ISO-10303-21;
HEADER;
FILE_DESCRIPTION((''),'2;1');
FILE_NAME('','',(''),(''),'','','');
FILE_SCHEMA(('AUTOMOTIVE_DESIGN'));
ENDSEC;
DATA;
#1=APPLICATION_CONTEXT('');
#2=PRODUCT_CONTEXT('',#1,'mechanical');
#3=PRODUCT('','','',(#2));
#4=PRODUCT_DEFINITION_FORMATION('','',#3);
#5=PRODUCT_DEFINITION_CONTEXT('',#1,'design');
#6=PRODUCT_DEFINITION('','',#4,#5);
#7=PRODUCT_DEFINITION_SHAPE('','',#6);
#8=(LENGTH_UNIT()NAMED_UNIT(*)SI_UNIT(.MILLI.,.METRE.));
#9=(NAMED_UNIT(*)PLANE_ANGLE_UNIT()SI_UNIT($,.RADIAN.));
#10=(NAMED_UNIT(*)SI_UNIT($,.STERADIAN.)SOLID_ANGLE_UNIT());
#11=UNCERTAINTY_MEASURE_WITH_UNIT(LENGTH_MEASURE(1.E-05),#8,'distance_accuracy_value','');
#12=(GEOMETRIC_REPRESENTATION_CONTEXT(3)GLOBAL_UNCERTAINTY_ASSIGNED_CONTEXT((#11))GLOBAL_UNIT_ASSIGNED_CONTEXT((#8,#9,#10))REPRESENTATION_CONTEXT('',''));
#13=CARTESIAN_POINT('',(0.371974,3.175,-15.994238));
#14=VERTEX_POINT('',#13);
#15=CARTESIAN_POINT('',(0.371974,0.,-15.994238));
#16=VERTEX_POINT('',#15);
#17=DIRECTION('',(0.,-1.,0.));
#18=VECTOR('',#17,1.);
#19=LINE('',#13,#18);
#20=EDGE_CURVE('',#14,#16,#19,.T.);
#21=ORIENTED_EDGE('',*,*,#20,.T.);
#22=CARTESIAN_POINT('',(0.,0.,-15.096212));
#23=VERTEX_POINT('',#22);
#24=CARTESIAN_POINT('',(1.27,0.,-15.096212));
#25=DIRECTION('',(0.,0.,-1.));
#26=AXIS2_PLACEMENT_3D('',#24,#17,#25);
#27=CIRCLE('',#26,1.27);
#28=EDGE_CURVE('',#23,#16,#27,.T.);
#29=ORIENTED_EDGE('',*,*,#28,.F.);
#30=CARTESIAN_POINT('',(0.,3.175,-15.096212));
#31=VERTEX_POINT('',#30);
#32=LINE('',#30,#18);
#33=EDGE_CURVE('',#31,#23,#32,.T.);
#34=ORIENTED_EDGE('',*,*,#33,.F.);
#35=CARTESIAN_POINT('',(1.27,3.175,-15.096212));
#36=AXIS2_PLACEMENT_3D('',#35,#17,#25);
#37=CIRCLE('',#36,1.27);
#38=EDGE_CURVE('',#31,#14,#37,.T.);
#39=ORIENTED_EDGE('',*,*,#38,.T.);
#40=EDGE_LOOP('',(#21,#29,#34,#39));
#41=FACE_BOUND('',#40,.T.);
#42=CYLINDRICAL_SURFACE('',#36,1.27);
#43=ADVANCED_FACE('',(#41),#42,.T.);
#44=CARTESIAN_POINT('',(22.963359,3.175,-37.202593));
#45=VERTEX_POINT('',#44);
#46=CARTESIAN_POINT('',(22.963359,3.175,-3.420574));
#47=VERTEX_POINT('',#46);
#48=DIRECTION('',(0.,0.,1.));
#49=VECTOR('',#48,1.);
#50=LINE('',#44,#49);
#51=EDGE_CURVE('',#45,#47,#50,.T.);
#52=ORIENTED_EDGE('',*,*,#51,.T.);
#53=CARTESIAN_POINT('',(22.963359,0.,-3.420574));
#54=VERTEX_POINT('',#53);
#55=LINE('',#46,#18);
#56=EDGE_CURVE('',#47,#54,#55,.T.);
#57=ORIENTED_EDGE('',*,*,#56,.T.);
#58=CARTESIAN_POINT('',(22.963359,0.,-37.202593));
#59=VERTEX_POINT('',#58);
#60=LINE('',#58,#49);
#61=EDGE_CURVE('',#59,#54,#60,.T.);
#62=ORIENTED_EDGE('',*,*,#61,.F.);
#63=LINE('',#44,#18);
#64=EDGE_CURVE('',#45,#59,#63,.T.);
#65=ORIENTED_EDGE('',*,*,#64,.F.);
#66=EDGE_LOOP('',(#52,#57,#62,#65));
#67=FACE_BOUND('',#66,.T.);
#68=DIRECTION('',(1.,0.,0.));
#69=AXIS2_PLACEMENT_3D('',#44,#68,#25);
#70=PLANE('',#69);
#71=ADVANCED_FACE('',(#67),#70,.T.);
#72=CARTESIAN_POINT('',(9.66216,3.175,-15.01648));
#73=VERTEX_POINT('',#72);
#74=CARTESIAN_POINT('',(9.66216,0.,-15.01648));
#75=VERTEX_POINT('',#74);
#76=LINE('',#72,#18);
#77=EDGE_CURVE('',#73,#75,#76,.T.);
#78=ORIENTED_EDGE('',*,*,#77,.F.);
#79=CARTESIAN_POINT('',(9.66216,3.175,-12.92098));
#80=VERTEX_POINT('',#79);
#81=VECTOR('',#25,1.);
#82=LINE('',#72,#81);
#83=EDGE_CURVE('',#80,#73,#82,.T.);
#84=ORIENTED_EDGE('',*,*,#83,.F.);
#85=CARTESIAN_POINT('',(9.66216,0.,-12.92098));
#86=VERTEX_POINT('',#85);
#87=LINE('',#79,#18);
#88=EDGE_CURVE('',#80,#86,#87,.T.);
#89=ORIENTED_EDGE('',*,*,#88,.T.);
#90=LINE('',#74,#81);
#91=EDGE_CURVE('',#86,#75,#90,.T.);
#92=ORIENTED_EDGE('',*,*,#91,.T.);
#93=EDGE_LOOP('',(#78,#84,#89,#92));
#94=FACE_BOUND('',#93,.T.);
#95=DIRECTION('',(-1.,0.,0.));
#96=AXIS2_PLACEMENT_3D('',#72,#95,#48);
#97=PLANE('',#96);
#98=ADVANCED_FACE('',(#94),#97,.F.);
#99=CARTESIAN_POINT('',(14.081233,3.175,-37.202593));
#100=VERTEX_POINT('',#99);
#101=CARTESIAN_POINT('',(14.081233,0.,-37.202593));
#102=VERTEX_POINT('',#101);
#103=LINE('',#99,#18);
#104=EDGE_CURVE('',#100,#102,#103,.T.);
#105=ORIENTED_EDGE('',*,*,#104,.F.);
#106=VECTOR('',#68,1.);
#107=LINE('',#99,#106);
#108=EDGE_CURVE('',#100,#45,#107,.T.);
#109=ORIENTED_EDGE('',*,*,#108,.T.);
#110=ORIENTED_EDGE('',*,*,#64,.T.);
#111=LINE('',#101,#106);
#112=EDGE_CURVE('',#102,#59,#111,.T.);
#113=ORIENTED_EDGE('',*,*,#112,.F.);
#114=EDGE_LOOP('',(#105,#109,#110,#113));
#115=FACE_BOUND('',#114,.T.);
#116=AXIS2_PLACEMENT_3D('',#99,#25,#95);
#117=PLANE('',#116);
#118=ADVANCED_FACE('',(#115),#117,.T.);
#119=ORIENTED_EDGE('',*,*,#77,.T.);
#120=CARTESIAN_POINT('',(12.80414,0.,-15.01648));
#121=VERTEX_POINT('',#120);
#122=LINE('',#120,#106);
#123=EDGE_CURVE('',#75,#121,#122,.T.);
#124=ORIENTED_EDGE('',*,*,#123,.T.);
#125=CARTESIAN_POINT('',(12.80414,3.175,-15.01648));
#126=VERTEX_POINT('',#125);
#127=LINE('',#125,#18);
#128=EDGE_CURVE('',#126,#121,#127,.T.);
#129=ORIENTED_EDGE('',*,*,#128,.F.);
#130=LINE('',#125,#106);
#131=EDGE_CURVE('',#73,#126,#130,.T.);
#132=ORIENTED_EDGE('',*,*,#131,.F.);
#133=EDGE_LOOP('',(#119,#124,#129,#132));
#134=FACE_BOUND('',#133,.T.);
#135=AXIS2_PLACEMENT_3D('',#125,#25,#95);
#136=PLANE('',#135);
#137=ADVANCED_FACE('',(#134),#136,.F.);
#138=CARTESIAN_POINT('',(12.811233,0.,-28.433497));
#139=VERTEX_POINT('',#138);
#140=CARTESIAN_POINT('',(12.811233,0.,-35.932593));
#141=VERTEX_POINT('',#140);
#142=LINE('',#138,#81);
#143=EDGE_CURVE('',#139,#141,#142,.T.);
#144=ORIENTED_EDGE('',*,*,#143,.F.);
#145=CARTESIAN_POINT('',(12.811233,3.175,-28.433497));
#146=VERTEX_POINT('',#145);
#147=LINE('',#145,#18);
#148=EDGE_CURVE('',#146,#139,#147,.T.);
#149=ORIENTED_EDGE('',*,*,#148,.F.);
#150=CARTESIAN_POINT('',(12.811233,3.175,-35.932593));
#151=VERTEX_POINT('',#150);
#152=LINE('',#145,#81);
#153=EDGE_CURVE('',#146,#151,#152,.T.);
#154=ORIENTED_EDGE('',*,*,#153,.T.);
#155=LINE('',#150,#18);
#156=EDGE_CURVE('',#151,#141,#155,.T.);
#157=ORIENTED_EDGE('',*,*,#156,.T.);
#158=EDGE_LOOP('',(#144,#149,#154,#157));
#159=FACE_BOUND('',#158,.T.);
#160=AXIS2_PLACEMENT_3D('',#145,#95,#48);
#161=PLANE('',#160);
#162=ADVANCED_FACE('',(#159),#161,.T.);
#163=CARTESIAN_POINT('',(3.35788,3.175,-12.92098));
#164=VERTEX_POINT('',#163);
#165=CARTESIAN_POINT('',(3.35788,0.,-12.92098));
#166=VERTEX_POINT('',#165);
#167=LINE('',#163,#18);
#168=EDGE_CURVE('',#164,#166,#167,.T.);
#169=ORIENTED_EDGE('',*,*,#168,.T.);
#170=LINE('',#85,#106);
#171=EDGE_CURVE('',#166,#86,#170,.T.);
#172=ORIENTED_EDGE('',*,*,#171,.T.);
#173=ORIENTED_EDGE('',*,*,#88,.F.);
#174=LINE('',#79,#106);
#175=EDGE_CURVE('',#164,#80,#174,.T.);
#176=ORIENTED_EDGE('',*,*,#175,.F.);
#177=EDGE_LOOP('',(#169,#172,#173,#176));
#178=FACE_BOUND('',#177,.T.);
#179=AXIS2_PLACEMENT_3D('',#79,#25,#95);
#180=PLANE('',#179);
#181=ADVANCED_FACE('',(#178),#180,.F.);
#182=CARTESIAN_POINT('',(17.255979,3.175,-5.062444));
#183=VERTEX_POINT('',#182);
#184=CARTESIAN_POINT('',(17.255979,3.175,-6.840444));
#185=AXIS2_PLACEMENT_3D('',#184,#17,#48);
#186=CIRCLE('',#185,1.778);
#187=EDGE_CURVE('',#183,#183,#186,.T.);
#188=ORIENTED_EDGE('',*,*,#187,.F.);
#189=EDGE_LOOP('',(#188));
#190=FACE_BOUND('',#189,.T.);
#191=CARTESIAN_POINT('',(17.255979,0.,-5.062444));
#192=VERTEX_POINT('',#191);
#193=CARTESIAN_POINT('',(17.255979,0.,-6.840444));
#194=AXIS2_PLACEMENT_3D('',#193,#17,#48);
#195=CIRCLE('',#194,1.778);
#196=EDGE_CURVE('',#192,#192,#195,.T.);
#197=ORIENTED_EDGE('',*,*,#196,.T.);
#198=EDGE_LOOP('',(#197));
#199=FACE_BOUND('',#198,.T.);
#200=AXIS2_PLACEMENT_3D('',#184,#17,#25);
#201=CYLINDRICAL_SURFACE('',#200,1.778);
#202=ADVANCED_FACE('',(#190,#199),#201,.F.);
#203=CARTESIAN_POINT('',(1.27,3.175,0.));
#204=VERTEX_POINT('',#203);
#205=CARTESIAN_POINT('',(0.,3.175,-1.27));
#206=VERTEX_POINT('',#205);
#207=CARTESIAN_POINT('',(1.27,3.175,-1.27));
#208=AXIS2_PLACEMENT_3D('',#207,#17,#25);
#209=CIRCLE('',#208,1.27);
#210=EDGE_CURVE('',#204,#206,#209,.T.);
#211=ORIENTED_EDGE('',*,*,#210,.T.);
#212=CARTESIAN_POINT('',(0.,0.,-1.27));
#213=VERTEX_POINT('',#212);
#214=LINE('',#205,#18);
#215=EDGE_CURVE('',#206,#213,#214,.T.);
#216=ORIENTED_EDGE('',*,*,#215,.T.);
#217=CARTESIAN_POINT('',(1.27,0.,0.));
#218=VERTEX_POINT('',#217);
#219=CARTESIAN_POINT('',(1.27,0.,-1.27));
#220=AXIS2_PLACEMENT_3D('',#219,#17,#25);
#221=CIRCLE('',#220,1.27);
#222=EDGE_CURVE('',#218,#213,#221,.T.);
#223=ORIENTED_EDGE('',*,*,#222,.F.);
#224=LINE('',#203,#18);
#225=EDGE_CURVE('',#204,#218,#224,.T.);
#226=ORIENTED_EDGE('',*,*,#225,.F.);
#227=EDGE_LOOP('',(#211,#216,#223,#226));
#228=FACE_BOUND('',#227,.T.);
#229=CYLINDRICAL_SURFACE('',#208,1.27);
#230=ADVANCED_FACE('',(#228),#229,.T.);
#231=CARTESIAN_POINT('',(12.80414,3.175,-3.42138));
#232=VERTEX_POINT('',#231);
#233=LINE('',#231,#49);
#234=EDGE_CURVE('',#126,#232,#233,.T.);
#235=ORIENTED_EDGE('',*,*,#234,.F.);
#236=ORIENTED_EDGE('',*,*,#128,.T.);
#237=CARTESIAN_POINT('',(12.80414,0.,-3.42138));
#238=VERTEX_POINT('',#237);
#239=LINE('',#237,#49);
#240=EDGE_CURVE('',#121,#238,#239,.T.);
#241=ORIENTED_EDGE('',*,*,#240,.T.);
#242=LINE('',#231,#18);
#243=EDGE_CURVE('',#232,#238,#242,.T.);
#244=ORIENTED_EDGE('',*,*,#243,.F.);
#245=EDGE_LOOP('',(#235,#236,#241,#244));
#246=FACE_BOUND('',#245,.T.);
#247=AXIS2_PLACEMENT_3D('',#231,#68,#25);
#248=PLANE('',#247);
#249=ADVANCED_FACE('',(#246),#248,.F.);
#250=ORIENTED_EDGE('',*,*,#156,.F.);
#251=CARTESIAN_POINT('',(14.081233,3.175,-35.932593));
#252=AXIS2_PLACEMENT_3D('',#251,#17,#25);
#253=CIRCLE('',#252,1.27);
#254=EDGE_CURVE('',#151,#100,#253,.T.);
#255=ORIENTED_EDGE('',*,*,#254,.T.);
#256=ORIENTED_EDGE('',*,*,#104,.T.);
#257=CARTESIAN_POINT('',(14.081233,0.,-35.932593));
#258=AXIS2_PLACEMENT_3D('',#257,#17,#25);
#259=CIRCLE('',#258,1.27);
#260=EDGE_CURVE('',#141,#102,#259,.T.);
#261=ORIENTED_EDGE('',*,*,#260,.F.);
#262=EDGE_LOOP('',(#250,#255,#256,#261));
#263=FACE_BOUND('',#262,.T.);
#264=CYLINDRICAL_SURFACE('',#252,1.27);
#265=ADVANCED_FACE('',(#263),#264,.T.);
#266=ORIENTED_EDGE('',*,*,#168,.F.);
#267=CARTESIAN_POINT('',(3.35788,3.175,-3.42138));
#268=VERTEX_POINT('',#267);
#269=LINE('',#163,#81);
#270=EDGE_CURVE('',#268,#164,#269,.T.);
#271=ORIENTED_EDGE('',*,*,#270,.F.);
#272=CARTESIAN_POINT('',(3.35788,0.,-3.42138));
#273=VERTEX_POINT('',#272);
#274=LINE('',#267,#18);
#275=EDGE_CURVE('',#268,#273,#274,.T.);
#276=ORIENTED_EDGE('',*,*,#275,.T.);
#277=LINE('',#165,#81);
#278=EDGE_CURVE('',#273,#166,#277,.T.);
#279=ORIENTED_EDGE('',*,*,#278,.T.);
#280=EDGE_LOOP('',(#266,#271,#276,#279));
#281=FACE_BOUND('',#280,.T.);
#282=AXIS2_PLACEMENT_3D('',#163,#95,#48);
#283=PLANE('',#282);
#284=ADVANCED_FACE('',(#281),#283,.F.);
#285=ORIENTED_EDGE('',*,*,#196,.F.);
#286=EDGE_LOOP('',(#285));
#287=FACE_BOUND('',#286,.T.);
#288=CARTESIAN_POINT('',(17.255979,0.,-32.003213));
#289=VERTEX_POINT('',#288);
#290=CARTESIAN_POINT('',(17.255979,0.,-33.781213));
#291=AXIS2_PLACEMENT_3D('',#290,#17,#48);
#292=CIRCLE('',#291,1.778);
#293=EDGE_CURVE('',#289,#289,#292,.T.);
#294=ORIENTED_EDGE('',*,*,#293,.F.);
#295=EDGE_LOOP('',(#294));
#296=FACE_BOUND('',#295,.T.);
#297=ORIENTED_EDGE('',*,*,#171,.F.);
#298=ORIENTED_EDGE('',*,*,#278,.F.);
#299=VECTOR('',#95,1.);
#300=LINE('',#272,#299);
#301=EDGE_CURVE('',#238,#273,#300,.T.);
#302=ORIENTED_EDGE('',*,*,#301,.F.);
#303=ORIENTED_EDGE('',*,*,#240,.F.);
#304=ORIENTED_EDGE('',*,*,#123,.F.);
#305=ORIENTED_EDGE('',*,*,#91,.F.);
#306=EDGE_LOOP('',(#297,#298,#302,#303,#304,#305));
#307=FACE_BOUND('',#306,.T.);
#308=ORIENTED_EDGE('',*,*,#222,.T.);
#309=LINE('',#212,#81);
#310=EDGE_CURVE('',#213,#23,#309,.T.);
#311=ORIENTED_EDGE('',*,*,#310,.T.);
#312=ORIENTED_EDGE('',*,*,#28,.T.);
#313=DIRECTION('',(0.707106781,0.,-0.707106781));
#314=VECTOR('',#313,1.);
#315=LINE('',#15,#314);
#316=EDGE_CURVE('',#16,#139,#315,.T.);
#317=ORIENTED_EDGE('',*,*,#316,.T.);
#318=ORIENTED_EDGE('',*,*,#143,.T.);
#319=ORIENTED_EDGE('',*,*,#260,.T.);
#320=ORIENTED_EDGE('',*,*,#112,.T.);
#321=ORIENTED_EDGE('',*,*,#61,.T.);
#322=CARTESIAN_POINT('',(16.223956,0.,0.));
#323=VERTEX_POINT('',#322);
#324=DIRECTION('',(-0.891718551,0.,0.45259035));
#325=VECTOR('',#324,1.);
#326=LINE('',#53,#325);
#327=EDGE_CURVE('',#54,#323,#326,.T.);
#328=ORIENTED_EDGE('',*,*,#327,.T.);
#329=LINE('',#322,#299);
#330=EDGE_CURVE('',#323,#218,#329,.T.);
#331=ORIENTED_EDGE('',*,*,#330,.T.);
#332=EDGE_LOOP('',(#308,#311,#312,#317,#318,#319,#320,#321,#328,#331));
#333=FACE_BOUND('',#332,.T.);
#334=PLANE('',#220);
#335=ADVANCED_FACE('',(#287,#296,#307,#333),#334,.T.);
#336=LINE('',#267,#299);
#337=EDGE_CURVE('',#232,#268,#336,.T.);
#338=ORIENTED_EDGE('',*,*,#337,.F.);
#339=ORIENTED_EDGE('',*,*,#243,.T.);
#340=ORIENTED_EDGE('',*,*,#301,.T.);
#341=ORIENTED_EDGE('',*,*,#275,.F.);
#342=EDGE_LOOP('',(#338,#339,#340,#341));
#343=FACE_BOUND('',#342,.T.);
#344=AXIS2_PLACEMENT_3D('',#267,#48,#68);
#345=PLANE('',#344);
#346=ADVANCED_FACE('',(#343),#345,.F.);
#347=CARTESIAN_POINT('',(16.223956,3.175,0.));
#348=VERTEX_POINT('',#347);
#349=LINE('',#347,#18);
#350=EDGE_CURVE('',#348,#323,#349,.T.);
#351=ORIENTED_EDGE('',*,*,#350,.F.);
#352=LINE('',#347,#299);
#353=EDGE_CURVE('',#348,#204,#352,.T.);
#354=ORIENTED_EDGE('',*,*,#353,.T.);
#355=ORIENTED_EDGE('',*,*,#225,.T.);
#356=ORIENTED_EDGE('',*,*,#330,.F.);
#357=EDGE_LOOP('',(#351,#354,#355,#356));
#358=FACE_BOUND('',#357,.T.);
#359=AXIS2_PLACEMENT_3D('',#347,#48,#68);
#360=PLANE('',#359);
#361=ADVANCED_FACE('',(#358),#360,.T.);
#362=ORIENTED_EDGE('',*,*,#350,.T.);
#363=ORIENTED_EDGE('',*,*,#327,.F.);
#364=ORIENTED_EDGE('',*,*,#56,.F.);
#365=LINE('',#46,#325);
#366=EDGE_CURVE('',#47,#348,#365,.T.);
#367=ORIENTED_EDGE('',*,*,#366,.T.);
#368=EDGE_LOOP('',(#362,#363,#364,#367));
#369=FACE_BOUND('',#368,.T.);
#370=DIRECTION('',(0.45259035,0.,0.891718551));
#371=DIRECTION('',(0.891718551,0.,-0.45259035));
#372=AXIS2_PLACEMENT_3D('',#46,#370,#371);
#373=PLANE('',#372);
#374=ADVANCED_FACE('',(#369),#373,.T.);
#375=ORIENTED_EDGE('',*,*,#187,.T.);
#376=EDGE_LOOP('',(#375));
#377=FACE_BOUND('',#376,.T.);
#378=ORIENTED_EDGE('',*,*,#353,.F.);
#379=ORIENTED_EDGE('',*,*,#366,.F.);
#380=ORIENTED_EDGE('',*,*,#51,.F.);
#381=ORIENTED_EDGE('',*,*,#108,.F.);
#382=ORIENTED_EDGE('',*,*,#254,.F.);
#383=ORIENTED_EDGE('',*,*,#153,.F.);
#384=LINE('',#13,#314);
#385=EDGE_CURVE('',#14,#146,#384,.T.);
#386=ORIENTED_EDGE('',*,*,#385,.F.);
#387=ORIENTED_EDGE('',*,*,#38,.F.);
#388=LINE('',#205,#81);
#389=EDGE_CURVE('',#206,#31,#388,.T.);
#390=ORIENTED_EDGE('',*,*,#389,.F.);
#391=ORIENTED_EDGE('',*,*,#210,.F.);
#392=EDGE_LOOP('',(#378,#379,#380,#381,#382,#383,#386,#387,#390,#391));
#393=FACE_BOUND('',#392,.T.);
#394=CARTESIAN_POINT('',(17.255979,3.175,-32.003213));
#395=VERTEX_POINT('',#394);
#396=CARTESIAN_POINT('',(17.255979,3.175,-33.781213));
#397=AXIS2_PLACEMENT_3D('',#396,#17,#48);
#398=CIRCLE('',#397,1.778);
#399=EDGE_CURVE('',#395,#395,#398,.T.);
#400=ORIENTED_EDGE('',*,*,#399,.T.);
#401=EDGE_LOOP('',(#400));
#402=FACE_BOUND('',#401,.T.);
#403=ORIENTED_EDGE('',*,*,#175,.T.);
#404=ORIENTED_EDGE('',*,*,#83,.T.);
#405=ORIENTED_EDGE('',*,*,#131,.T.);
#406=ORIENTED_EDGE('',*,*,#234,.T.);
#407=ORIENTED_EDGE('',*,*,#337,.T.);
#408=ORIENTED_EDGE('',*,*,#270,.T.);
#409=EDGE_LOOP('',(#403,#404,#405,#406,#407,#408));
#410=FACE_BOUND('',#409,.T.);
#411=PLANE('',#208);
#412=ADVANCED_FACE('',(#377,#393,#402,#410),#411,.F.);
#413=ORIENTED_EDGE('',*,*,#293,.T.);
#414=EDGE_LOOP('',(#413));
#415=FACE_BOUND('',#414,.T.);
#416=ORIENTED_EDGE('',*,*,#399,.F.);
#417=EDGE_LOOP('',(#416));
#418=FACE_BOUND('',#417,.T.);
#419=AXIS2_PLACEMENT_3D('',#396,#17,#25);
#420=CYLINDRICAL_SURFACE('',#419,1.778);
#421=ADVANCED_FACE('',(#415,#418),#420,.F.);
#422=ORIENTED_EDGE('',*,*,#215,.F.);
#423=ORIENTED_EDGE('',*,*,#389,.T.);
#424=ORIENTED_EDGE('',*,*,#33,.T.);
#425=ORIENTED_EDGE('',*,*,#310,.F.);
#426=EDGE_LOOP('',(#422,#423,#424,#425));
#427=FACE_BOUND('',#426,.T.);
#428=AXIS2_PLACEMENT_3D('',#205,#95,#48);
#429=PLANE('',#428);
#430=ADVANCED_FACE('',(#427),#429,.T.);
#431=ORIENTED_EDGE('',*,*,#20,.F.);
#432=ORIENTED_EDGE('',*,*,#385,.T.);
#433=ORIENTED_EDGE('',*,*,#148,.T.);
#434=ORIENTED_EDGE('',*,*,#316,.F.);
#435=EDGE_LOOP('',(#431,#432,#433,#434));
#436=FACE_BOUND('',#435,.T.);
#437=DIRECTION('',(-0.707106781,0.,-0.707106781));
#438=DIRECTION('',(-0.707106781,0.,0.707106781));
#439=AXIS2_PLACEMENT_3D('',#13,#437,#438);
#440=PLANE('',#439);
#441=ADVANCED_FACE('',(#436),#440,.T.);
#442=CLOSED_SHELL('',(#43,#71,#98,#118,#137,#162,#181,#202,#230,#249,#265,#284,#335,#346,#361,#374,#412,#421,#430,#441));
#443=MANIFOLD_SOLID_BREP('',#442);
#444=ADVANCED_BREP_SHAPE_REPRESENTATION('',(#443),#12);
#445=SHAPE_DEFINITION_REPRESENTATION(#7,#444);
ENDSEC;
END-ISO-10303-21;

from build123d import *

# Parameters (mm, degrees)
SKETCH1_R           = 1.778
BOSS_EXTRUDE1_DEPTH = 3.175


with BuildPart() as part:
    # Sketch1 → Boss-Extrude1 (new body)
    with BuildSketch(Plane.XZ):
        with BuildLine():
            Line((0, -1.27), (0, -15.096211993))
            ThreePointArc((0, -15.096211993), (0.096672994, -15.582219953), (0.371974388, -15.994237606))
            Line((0.371974388, -15.994237606), (12.811233382, -28.4334966))
            Line((12.811233382, -28.4334966), (12.811233382, -35.9325926))
            ThreePointArc((12.811233382, -35.9325926), (13.18320777, -36.830618212), (14.081233382, -37.2025926))
            Line((14.081233382, -37.2025926), (22.963359382, -37.2025926))
            Line((22.963359382, -37.2025926), (22.963359382, -3.420573773))
            Line((22.963359382, -3.420573773), (16.223955667, 0))
            Line((16.223955667, 0), (1.27, 0))
            ThreePointArc((1.27, 0), (0.371974388, -0.371974388), (0, -1.27))
        make_face()
        with Locations((17.255979382, -33.7812126)):
            Circle(SKETCH1_R, mode=Mode.SUBTRACT)
        with Locations((17.255979382, -6.840444237)):
            Circle(SKETCH1_R, mode=Mode.SUBTRACT)
        Polygon((9.66216, -12.92098), (3.35788, -12.92098), (3.35788, -3.42138), (12.80414, -3.42138), (12.80414, -15.01648), (9.66216, -15.01648), align=None, mode=Mode.SUBTRACT)
    extrude(amount=-BOSS_EXTRUDE1_DEPTH)


solid = part.part
